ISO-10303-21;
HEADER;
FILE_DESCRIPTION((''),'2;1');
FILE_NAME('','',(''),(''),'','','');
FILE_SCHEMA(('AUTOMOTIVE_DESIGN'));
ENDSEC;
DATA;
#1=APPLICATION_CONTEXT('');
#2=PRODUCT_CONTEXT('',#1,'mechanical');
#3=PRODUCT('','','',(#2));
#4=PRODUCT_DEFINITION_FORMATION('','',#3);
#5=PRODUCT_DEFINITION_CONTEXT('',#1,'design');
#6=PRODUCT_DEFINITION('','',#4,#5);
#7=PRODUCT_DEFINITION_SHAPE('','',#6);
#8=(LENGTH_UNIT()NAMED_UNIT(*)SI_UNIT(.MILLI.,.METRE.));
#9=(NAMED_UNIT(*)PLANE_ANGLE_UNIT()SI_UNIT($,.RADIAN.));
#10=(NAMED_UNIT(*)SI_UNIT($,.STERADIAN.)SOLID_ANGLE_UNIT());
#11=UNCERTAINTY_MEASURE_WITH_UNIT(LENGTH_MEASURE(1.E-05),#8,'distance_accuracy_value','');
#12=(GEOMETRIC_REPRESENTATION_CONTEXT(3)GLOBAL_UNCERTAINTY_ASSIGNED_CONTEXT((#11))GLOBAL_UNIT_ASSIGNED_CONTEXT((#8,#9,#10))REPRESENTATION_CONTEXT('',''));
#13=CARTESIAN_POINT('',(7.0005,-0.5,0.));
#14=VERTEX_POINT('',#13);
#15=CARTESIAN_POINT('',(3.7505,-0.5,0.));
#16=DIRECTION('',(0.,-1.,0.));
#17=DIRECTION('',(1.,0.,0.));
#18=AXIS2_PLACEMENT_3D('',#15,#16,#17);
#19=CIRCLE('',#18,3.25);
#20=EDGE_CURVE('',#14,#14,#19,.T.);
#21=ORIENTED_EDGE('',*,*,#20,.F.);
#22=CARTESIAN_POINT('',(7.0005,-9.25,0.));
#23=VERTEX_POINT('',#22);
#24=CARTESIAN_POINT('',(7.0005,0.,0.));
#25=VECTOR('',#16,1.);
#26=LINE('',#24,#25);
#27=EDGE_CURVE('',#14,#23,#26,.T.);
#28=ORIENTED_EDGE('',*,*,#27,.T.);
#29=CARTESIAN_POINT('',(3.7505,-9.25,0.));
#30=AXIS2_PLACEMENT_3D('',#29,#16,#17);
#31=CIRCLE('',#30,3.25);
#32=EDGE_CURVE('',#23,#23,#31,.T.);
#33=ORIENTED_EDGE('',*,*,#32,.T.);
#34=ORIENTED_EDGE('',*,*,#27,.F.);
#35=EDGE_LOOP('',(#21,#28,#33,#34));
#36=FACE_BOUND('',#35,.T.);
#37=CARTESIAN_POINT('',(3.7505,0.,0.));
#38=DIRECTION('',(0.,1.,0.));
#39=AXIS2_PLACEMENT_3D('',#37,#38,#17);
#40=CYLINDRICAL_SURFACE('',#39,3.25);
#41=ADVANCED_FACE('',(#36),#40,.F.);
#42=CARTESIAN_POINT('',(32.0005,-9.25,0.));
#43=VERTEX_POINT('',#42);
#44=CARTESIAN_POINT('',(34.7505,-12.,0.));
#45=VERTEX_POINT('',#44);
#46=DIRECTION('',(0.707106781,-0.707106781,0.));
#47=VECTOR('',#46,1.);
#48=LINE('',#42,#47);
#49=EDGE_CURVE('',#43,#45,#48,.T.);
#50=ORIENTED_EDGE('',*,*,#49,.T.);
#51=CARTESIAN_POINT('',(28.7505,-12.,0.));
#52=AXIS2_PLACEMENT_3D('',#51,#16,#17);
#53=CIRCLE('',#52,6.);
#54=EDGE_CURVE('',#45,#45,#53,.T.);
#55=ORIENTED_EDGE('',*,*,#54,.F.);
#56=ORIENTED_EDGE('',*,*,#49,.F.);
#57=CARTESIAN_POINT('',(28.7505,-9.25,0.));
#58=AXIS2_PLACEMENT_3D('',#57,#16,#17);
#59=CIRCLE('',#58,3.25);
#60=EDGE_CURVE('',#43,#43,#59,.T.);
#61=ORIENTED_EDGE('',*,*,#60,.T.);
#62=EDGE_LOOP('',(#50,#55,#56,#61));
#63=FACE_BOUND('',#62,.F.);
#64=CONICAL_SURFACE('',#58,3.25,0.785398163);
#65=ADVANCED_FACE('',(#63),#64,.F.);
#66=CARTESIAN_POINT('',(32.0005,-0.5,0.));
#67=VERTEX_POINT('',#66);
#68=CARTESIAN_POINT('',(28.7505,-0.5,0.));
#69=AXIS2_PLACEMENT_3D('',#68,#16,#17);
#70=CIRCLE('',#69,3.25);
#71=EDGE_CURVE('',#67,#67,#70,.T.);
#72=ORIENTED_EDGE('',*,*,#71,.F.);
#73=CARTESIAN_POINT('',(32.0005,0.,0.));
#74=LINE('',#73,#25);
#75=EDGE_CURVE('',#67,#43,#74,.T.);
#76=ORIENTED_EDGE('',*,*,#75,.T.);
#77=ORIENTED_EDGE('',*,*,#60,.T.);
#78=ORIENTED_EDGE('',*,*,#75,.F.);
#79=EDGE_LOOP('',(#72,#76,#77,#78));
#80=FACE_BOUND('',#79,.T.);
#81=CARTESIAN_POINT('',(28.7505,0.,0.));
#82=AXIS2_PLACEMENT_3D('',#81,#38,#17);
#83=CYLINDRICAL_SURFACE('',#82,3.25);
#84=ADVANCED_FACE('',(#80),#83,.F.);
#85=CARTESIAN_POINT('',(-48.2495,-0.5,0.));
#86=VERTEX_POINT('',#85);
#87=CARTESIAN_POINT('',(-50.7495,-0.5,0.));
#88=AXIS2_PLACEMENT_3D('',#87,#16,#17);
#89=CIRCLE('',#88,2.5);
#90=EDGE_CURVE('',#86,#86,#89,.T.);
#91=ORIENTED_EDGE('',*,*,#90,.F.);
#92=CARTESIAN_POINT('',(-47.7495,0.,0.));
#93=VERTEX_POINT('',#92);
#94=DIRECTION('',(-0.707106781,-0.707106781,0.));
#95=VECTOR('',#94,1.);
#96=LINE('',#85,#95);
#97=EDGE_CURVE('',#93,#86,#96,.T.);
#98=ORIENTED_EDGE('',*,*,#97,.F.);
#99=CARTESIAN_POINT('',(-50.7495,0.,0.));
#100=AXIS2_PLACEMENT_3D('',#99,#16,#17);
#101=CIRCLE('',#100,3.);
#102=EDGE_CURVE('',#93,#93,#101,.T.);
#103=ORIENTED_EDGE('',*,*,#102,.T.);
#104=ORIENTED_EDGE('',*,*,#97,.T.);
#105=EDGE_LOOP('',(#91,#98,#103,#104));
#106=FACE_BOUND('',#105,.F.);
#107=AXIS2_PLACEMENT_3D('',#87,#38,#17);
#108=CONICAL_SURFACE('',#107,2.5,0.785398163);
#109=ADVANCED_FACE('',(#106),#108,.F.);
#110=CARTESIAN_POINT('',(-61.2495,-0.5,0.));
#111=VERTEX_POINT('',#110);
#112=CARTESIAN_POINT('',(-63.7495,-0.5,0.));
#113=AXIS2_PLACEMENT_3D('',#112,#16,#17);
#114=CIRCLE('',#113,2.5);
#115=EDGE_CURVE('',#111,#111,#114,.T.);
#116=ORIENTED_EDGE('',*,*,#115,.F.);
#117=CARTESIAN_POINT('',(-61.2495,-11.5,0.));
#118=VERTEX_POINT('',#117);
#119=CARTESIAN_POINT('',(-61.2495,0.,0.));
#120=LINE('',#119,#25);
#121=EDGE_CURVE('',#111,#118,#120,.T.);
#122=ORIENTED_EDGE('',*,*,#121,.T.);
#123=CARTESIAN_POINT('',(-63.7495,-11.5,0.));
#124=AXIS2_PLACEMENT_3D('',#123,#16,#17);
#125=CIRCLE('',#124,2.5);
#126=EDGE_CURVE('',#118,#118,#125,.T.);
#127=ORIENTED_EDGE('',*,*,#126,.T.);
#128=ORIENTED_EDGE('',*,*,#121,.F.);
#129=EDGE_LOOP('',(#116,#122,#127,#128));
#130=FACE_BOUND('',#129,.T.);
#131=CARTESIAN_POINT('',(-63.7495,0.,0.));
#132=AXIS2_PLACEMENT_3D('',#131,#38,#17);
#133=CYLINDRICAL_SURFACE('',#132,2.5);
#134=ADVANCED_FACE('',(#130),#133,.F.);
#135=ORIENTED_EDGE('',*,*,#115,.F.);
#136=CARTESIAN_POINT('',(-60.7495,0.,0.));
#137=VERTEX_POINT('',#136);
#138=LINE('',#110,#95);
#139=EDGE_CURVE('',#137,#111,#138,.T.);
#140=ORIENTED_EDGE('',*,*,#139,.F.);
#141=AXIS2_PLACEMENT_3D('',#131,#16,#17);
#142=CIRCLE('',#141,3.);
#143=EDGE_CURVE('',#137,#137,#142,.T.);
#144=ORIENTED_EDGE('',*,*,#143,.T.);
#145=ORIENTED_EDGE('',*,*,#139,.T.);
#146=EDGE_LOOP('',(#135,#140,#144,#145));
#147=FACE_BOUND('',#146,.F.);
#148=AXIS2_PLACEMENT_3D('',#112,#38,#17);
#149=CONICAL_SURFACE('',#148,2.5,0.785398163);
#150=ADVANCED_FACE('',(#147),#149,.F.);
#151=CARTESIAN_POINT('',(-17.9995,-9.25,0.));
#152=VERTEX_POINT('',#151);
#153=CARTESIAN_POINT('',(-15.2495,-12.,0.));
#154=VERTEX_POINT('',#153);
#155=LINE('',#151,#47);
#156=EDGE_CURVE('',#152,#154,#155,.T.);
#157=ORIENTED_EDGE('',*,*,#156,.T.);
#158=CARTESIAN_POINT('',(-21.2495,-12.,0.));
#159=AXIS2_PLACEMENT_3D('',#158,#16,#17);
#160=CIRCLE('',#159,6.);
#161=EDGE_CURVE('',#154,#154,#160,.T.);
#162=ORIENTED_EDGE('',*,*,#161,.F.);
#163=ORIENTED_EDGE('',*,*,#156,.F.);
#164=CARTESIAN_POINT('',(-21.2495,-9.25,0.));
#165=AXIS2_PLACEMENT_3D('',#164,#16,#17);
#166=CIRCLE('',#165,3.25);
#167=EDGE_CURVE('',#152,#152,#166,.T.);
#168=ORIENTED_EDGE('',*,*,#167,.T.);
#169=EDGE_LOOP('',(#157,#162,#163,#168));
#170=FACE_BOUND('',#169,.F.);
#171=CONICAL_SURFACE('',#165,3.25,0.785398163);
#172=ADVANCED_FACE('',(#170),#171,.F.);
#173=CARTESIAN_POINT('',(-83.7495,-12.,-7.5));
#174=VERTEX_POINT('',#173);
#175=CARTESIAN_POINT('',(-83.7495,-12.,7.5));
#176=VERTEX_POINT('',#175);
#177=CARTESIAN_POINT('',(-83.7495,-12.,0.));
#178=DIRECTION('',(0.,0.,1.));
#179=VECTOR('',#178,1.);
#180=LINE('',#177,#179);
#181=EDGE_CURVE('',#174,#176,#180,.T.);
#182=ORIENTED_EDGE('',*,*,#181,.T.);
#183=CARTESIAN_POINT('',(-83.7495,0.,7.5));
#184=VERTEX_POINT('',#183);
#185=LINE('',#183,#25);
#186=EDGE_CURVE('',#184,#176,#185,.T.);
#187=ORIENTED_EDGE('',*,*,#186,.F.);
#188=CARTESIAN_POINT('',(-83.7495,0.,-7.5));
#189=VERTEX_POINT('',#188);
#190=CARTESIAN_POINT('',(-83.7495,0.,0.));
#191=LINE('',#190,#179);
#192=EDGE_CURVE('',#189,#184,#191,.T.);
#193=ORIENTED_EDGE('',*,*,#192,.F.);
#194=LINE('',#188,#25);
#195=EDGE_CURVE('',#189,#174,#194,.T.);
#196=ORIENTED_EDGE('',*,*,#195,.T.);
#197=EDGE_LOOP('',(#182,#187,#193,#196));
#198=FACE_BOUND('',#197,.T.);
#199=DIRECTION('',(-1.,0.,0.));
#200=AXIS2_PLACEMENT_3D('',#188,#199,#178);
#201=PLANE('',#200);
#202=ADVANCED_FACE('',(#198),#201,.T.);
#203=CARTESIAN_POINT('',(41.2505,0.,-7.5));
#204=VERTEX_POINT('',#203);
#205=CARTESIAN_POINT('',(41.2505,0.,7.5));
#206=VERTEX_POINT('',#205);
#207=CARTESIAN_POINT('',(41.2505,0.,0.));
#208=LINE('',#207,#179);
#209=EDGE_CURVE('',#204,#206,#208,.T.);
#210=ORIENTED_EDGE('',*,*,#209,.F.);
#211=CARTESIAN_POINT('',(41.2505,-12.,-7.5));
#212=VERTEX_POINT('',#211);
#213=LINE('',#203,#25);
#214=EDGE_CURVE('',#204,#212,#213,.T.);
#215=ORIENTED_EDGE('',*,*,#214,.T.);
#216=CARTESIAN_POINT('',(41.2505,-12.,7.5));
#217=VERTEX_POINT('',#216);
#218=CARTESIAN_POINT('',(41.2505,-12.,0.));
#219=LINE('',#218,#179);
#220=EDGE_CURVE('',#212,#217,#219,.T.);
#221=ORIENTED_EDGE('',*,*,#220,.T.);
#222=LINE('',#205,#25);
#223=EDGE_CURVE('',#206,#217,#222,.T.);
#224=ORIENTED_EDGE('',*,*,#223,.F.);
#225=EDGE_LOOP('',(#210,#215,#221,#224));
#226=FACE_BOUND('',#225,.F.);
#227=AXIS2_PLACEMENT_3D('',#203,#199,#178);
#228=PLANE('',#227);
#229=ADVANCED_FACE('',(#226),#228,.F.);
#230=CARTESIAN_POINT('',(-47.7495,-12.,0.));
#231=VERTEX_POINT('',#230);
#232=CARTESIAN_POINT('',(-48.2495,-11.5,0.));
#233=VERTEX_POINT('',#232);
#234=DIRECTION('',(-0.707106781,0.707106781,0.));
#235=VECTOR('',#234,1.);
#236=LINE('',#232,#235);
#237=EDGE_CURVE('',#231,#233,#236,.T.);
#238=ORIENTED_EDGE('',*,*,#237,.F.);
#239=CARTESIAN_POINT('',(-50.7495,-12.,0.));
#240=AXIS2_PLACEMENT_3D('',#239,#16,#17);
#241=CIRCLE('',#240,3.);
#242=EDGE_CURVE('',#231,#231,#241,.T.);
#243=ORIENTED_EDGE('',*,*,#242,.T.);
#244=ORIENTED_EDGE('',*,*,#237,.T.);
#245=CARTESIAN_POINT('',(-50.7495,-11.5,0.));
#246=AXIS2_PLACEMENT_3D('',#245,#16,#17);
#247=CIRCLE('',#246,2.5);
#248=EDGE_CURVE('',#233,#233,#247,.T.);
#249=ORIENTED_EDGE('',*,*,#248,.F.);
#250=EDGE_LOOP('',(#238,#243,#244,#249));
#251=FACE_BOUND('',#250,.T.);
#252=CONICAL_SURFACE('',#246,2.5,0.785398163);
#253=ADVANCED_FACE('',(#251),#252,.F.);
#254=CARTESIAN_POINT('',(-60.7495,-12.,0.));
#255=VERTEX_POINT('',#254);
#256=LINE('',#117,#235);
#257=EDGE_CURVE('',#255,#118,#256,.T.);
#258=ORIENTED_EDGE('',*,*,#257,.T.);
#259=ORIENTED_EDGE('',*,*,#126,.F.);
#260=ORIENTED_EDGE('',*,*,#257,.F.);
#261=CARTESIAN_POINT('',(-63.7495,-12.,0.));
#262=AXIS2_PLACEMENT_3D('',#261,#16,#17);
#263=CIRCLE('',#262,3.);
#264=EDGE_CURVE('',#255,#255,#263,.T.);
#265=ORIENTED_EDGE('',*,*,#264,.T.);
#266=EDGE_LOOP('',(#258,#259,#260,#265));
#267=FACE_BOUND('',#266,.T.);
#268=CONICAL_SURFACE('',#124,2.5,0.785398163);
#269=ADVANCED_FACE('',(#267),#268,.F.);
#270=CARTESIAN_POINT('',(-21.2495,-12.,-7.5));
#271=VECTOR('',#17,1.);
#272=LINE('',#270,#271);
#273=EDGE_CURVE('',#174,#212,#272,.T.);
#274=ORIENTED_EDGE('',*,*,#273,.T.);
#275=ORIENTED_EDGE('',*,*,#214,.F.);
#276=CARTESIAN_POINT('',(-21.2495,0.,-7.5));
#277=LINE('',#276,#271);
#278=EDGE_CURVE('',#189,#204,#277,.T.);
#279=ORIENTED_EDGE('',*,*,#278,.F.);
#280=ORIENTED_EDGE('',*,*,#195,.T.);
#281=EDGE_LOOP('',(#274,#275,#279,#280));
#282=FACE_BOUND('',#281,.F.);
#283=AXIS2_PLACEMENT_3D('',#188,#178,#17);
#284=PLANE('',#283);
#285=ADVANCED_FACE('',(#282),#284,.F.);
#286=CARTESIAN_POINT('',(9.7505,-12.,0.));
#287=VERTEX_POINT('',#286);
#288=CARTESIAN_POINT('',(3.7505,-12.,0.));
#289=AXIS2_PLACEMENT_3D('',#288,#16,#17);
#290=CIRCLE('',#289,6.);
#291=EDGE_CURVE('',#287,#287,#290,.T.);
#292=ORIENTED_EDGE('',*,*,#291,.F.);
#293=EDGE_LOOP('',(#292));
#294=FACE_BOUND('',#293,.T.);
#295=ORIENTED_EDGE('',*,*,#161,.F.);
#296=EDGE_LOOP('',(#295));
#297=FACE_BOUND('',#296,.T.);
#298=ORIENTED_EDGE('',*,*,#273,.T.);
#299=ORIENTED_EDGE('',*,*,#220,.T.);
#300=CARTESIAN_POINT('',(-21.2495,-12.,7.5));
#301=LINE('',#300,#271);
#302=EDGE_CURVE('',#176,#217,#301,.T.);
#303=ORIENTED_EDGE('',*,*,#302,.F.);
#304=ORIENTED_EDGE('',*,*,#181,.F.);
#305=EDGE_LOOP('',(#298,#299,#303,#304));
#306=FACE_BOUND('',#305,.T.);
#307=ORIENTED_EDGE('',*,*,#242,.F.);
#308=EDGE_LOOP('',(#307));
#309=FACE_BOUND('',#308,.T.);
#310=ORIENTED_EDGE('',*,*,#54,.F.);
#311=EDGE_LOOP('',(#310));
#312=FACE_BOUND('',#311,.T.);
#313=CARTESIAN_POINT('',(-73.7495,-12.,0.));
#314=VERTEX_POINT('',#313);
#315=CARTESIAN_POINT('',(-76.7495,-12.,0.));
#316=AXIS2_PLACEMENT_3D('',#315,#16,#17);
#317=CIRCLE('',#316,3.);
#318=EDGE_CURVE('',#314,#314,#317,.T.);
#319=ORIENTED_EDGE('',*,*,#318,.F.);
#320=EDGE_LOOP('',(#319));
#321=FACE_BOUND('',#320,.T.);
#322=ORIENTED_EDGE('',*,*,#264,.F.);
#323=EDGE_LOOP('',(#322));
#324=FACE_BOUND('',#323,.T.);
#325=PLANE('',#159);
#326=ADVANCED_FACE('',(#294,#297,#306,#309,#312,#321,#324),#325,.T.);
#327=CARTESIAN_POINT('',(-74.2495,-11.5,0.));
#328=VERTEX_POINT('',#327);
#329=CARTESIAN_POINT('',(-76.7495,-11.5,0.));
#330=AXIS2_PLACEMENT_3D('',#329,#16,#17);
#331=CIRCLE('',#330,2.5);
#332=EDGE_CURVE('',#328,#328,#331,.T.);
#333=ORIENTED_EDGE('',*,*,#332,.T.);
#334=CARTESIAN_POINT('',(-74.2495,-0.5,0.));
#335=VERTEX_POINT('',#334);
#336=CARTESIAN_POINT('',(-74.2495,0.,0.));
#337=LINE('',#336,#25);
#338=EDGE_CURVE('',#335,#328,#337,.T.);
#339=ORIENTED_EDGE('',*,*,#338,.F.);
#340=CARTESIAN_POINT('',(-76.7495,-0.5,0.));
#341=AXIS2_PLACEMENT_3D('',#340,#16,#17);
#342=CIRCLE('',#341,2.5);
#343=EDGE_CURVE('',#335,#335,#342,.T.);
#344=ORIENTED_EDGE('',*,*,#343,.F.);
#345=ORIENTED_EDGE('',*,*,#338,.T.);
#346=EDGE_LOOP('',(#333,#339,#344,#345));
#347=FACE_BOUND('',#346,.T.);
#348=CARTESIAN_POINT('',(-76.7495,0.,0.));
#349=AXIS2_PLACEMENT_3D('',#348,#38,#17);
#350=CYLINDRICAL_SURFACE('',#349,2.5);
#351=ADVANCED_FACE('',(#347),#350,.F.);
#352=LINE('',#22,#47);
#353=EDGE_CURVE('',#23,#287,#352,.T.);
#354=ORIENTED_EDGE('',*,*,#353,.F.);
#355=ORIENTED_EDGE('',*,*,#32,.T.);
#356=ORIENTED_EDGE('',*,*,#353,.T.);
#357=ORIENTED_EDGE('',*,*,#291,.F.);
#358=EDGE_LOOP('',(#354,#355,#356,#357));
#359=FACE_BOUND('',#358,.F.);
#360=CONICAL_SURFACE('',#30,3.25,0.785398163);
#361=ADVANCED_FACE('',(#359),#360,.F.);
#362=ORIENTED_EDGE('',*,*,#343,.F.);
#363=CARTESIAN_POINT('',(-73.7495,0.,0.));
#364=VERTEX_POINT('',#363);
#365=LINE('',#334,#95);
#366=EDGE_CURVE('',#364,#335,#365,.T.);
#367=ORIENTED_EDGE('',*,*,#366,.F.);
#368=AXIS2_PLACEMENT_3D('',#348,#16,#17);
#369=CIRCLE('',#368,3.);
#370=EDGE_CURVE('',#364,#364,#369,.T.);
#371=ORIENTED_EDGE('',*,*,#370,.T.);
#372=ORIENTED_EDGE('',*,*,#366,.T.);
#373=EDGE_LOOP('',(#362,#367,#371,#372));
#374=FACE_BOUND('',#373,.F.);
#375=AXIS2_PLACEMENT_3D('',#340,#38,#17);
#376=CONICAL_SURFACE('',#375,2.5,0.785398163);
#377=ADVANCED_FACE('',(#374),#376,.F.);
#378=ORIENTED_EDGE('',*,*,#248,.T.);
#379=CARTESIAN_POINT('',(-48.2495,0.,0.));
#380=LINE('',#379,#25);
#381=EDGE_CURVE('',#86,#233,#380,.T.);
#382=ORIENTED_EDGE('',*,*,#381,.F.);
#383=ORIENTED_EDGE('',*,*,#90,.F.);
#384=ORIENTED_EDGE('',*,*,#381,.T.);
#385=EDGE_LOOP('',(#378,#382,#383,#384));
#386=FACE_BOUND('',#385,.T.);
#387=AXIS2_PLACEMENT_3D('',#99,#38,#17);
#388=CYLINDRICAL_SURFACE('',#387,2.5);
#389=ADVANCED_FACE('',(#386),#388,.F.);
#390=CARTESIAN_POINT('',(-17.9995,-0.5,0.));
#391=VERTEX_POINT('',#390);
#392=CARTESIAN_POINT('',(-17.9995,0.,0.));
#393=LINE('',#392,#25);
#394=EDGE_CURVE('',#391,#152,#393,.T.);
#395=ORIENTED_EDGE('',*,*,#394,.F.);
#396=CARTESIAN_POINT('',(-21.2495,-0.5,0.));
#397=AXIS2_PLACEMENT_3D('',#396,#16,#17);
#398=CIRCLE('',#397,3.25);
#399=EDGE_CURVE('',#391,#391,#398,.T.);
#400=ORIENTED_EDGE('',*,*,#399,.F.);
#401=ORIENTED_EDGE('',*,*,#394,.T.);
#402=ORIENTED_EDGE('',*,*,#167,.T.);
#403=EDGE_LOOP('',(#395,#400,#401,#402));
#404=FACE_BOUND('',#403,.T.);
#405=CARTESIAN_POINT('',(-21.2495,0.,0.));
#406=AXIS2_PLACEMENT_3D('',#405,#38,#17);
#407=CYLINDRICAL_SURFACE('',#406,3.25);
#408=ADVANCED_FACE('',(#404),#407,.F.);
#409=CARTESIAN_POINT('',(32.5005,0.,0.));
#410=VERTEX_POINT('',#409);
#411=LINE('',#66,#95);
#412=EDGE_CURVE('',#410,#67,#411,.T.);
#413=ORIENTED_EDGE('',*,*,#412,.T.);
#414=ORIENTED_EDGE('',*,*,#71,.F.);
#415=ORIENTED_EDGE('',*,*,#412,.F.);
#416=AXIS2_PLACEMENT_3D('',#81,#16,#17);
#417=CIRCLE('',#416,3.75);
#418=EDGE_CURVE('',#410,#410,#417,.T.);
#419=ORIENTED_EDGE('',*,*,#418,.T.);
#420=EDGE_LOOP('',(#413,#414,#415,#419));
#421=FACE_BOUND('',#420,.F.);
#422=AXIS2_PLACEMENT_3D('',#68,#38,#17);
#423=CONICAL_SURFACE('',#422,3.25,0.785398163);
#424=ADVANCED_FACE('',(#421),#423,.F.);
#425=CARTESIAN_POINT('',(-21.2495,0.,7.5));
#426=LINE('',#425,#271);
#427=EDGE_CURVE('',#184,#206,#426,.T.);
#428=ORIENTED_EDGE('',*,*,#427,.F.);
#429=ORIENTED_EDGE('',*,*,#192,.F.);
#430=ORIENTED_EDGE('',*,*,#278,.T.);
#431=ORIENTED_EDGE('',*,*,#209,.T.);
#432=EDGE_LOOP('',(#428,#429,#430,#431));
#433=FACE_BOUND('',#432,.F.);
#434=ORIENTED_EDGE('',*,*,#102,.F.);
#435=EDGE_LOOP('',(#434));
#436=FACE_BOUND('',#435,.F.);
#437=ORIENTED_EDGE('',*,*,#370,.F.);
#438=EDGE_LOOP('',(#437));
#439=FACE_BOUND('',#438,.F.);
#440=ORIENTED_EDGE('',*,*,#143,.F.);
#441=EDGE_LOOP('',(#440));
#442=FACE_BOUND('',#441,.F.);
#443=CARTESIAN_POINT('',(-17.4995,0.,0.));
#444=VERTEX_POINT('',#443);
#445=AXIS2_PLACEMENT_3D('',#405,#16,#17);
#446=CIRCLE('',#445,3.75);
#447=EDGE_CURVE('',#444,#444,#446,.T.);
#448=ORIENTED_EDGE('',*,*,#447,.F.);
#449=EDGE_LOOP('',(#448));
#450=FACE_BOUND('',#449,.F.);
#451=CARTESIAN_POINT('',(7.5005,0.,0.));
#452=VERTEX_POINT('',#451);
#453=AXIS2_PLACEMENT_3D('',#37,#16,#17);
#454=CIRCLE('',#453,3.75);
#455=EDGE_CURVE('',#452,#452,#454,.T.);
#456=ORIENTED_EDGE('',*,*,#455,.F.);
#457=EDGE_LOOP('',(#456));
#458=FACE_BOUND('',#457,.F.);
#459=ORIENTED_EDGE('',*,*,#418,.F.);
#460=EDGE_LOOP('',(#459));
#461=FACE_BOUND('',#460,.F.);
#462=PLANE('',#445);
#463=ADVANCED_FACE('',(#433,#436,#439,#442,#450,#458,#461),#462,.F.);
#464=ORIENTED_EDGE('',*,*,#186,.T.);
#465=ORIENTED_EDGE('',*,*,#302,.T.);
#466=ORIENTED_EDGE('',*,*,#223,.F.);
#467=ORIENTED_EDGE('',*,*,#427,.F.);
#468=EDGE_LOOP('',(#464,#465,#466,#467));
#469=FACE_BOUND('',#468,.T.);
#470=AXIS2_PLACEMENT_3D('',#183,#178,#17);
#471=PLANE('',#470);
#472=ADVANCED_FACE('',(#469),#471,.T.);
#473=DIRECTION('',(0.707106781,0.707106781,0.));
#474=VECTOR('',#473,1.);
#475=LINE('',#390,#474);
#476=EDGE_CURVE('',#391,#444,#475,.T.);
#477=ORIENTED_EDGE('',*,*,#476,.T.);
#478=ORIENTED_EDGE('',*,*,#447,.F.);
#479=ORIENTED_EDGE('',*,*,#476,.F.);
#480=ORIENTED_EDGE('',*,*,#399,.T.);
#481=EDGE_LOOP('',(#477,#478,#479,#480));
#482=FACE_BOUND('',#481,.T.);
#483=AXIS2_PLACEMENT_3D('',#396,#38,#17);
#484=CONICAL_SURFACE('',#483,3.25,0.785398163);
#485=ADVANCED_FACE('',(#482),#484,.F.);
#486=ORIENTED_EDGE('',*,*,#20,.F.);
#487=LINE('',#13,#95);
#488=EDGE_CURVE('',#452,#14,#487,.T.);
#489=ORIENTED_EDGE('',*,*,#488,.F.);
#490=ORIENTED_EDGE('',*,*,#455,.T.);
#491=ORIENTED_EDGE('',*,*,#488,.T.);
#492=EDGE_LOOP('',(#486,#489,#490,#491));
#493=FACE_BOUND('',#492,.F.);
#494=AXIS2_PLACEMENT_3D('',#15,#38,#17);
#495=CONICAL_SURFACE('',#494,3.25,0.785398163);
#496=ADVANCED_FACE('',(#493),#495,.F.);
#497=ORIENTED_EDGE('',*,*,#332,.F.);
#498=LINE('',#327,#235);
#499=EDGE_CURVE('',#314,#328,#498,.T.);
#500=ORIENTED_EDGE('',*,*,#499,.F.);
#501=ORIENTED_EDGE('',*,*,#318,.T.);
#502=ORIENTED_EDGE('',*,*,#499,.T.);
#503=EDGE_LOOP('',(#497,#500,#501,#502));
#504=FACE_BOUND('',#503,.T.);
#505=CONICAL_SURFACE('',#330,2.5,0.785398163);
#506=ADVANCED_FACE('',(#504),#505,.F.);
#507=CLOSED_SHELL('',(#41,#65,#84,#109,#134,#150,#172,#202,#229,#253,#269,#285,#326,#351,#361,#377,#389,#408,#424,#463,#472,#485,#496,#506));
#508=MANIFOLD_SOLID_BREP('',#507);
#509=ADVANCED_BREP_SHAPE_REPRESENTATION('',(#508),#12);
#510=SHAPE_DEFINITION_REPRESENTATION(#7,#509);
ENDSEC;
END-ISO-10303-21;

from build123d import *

# Parameters (mm, degrees)
F0_W     = 125
F0_H     = 15
F0_R     = 2.5
F0_R_2   = 3.25
F1_DEPTH = 12
F2_SIZE  = 2.75
F3_SIZE  = 0.5


with BuildPart() as f1:
    # F0 (on Front) → F1 (new body)
    with BuildSketch(Plane.XZ):
        with Locations((-21.2495, 0)):
            Rectangle(F0_W, F0_H)
        with Locations((-76.7495, 0)):
            Circle(F0_R, mode=Mode.SUBTRACT)
        with Locations((-63.7495, 0)):
            Circle(F0_R, mode=Mode.SUBTRACT)
        with Locations((-50.7495, 0)):
            Circle(F0_R, mode=Mode.SUBTRACT)
        with Locations((-21.2495, 0)):
            Circle(F0_R_2, mode=Mode.SUBTRACT)
        with Locations((3.7505, 0)):
            Circle(F0_R_2, mode=Mode.SUBTRACT)
        with Locations((28.7505, 0)):
            Circle(F0_R_2, mode=Mode.SUBTRACT)
    extrude(amount=F1_DEPTH)

    # F2
    f2_edges = [f1.edges().sort_by_distance(p)[0] for p in [
        (-24.4995, -12, 0),
        (0.5005, -12, 0),
        (25.5005, -12, 0),
    ]]
    chamfer(f2_edges, length=F2_SIZE)

    # F3
    f3_edges = [f1.edges().sort_by_distance(p)[0] for p in [
        (-79.2495, -12, 0),
        (-66.2495, -12, 0),
        (-53.2495, -12, 0),
        (0.5005, 0, 0),
        (25.5005, 0, 0),
        (-24.4995, 0, 0),
        (-53.2495, 0, 0),
        (-66.2495, 0, 0),
        (-79.2495, 0, 0),
    ]]
    chamfer(f3_edges, length=F3_SIZE)


solid = f1.part
